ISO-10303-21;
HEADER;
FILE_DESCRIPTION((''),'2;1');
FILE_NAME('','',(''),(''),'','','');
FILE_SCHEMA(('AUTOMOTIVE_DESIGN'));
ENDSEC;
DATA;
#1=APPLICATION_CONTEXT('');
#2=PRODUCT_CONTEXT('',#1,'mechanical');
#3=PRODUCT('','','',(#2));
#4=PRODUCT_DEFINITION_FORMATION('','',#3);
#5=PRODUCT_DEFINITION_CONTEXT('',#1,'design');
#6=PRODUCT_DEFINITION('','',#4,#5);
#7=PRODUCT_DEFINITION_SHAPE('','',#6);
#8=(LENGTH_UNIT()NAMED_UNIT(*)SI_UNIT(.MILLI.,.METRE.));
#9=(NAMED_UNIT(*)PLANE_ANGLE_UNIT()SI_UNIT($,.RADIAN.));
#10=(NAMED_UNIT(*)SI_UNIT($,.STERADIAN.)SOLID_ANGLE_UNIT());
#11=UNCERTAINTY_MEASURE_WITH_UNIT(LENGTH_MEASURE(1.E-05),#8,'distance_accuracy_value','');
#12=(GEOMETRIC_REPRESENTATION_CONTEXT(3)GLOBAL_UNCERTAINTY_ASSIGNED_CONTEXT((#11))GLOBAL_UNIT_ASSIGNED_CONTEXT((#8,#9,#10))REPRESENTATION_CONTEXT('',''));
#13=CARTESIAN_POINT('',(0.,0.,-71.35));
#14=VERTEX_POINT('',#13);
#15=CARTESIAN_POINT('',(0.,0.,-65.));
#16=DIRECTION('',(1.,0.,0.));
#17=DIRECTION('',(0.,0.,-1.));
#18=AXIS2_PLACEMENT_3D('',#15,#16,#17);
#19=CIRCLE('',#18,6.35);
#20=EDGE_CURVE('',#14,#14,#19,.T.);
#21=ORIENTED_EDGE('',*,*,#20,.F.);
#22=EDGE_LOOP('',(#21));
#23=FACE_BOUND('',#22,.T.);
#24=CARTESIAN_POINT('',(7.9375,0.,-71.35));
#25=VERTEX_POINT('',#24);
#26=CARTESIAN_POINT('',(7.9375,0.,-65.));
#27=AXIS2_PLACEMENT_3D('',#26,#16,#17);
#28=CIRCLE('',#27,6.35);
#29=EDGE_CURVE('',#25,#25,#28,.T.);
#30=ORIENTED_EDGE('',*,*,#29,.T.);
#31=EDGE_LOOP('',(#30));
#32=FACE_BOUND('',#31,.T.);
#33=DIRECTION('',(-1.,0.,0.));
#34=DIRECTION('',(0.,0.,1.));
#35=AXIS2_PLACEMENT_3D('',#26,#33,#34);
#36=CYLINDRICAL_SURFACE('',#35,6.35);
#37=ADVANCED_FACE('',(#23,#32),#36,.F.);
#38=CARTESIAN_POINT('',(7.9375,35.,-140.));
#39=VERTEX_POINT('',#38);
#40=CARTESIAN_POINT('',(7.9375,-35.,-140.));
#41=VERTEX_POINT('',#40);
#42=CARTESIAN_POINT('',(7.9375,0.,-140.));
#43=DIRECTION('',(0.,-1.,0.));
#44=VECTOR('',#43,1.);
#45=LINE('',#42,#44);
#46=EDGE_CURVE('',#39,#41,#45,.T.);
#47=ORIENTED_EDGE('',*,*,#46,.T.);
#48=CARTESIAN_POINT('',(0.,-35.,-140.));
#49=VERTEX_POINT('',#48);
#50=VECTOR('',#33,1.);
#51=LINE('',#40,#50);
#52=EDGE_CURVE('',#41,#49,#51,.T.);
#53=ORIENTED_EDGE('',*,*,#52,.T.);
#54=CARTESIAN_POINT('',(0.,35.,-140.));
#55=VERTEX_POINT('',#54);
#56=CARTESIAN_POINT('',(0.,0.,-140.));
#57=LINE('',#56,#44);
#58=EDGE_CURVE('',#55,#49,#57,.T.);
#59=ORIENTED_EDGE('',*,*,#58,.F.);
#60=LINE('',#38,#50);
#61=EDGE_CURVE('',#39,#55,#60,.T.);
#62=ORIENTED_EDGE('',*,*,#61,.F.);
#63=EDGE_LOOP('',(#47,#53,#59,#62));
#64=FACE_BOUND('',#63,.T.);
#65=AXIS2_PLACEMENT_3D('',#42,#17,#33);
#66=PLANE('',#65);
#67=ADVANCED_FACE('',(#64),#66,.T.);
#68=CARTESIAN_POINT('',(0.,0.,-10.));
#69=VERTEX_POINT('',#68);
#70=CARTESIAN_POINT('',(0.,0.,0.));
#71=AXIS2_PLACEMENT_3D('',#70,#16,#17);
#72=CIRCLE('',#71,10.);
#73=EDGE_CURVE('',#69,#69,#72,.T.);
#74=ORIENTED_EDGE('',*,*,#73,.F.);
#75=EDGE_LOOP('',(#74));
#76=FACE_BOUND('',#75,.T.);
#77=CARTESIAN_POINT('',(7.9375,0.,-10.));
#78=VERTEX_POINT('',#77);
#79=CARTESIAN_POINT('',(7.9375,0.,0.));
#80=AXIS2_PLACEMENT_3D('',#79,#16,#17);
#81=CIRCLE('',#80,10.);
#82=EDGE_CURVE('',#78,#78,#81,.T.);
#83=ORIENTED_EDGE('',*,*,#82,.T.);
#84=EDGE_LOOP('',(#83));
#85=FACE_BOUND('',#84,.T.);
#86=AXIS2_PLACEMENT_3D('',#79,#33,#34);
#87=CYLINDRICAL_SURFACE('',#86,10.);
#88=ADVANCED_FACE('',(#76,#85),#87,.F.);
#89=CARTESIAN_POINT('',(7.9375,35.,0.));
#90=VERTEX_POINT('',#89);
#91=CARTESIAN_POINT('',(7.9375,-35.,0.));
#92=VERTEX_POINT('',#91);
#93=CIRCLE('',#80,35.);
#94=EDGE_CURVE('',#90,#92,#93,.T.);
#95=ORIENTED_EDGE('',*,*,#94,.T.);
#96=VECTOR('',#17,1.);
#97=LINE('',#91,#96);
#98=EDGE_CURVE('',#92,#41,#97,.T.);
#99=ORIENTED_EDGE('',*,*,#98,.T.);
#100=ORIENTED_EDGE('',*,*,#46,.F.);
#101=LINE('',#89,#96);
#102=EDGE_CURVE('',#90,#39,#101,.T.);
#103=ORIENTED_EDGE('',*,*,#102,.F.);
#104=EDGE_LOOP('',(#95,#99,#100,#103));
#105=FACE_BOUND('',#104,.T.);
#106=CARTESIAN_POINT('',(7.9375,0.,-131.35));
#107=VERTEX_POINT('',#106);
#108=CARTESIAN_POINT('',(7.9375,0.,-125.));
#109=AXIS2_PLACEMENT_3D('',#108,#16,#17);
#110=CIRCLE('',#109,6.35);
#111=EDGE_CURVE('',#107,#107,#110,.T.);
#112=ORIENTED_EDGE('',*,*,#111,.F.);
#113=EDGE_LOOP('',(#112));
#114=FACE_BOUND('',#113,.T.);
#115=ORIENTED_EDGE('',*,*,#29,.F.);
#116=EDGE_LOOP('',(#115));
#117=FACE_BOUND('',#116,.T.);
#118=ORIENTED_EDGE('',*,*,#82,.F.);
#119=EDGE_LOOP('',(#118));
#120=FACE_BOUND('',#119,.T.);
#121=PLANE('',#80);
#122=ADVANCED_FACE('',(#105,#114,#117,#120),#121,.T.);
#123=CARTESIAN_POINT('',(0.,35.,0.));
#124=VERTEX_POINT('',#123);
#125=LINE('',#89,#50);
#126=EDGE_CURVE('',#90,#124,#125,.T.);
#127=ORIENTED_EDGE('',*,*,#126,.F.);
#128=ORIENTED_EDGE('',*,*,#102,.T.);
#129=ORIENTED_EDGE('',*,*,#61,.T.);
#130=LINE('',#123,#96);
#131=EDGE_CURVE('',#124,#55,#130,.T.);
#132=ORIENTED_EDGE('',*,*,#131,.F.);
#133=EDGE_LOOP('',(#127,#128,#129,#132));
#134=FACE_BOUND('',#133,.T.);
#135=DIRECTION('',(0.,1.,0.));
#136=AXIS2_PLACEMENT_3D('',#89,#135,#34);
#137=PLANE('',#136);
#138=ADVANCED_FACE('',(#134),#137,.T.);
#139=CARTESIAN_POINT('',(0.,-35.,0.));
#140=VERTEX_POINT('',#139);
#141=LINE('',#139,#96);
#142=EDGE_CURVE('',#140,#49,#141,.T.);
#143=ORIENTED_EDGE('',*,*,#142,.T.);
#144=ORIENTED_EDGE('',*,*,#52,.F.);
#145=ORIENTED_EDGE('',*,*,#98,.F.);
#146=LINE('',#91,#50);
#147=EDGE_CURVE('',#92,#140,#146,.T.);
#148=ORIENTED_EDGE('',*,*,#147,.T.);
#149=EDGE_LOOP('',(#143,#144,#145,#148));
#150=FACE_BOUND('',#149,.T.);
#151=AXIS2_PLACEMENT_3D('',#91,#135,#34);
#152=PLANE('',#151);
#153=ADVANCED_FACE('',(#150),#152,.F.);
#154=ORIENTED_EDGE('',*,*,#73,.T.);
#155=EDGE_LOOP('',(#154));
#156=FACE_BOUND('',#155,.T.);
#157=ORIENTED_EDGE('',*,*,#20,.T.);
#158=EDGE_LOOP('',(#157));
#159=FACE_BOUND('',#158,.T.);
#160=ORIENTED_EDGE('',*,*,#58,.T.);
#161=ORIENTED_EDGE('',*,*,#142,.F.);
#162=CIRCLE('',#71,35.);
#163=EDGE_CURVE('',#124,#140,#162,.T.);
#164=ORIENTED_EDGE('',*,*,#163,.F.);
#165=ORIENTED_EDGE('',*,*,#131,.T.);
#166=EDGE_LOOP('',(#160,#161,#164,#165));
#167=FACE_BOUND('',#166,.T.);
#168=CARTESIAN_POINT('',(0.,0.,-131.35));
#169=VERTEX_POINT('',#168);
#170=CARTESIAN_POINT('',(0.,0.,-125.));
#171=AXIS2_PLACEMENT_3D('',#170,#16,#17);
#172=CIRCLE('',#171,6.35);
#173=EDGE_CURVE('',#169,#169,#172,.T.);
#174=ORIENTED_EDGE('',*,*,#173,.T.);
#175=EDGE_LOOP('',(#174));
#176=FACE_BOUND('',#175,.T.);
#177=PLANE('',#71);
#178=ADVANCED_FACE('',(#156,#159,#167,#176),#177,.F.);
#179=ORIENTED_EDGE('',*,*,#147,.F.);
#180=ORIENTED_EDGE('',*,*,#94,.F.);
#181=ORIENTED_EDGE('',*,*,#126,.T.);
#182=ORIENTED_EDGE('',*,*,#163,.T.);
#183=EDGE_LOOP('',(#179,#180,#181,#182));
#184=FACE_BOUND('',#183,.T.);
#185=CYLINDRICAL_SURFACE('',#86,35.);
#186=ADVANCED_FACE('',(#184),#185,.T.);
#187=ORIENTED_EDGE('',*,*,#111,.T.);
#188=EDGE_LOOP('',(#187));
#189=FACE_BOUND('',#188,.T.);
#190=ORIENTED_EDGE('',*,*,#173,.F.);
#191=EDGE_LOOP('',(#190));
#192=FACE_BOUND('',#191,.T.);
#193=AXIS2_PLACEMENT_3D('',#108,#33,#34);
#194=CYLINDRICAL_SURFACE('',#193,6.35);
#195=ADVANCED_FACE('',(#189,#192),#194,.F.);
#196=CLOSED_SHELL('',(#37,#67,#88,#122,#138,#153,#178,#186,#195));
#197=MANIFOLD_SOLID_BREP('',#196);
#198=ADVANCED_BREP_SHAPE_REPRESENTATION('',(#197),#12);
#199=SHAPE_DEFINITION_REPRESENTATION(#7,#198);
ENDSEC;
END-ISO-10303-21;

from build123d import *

# Parameters (mm, degrees)
CROQUIS1_R              = 10
CROQUIS1_R_2            = 6.35
SALIENTE_EXTRUIR1_DEPTH = 7.9375


with BuildPart() as part:
    # Croquis1 → Saliente-Extruir1 (new body)
    with BuildSketch(Plane(origin=(0, 0, 0), x_dir=(0, 0, -1), z_dir=(1, 0, 0))):
        with BuildLine():
            Line((0, -35), (140, -35))
            Line((140, -35), (140, 35))
            Line((140, 35), (0, 35))
            ThreePointArc((0, 35), (-35, 0), (0, -35))
        make_face()
        Circle(CROQUIS1_R, mode=Mode.SUBTRACT)
        with Locations((65, 0)):
            Circle(CROQUIS1_R_2, mode=Mode.SUBTRACT)
        with Locations((125, 0)):
            Circle(CROQUIS1_R_2, mode=Mode.SUBTRACT)
    extrude(amount=SALIENTE_EXTRUIR1_DEPTH)


solid = part.part
